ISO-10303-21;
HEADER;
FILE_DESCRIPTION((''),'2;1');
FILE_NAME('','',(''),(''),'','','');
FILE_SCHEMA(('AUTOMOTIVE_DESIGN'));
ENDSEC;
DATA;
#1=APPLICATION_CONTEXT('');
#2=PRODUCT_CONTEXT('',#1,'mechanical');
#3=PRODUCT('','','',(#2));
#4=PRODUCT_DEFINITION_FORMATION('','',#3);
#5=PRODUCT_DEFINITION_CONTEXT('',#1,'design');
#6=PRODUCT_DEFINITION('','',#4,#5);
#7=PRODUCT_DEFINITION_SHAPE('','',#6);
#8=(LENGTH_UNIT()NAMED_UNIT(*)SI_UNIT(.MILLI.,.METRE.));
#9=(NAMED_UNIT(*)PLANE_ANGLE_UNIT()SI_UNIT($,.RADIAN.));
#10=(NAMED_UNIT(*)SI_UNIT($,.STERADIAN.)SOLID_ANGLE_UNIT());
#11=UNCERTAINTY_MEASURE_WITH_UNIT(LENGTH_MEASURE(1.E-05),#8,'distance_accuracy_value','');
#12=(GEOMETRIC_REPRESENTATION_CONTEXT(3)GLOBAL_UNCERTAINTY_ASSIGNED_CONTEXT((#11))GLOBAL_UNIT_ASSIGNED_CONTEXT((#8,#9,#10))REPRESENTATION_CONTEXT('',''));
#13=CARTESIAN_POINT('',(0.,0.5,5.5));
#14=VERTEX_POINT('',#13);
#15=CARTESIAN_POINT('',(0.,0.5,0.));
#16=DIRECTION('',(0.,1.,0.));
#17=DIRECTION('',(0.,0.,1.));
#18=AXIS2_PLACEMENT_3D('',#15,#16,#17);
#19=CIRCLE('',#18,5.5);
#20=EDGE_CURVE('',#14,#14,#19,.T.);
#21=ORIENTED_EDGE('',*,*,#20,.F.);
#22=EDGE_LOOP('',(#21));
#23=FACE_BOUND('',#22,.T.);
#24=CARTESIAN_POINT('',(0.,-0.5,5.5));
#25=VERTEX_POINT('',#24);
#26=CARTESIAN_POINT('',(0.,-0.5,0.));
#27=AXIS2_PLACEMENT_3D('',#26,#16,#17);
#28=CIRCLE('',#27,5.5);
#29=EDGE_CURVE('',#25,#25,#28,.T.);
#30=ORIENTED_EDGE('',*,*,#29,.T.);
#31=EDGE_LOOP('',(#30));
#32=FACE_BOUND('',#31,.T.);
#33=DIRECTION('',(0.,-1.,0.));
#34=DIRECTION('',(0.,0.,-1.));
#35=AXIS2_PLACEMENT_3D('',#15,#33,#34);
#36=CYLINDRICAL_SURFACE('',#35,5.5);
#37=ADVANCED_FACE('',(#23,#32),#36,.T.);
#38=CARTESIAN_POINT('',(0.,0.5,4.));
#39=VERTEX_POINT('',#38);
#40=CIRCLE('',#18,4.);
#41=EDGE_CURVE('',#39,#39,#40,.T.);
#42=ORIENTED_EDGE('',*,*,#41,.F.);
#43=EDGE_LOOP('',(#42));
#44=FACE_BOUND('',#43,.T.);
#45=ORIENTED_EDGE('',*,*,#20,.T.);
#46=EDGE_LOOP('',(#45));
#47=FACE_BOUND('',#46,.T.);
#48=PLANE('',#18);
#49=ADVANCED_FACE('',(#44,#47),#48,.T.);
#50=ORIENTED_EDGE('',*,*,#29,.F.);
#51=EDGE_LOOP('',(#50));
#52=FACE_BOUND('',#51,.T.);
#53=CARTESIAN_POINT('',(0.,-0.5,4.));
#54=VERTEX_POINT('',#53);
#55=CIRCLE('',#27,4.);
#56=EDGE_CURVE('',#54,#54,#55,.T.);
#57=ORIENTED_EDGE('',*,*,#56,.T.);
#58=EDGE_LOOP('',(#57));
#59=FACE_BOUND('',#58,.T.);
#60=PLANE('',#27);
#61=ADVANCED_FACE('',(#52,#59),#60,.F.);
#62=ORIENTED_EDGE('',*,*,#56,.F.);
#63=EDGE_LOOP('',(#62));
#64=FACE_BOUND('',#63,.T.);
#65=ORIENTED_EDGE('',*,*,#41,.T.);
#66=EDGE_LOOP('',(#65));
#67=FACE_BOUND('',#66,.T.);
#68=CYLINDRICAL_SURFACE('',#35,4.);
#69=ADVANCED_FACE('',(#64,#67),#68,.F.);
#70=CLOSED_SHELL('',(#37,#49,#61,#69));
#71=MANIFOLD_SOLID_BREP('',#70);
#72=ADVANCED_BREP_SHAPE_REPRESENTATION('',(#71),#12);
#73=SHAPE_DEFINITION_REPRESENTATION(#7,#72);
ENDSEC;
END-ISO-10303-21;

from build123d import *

# Parameters (mm, degrees)
SKETCH1_R           = 5.5
SKETCH1_R_2         = 4
BOSS_EXTRUDE1_DEPTH = 0.5


with BuildPart() as part:
    # Sketch1 → Boss-Extrude1 (new body, symmetric)
    with BuildSketch(Plane(origin=(0, 0, 0), x_dir=(1, 0, 0), z_dir=(0, 1, 0))):
        Circle(SKETCH1_R)
        Circle(SKETCH1_R_2, mode=Mode.SUBTRACT)
    extrude(amount=BOSS_EXTRUDE1_DEPTH, both=True)


solid = part.part
